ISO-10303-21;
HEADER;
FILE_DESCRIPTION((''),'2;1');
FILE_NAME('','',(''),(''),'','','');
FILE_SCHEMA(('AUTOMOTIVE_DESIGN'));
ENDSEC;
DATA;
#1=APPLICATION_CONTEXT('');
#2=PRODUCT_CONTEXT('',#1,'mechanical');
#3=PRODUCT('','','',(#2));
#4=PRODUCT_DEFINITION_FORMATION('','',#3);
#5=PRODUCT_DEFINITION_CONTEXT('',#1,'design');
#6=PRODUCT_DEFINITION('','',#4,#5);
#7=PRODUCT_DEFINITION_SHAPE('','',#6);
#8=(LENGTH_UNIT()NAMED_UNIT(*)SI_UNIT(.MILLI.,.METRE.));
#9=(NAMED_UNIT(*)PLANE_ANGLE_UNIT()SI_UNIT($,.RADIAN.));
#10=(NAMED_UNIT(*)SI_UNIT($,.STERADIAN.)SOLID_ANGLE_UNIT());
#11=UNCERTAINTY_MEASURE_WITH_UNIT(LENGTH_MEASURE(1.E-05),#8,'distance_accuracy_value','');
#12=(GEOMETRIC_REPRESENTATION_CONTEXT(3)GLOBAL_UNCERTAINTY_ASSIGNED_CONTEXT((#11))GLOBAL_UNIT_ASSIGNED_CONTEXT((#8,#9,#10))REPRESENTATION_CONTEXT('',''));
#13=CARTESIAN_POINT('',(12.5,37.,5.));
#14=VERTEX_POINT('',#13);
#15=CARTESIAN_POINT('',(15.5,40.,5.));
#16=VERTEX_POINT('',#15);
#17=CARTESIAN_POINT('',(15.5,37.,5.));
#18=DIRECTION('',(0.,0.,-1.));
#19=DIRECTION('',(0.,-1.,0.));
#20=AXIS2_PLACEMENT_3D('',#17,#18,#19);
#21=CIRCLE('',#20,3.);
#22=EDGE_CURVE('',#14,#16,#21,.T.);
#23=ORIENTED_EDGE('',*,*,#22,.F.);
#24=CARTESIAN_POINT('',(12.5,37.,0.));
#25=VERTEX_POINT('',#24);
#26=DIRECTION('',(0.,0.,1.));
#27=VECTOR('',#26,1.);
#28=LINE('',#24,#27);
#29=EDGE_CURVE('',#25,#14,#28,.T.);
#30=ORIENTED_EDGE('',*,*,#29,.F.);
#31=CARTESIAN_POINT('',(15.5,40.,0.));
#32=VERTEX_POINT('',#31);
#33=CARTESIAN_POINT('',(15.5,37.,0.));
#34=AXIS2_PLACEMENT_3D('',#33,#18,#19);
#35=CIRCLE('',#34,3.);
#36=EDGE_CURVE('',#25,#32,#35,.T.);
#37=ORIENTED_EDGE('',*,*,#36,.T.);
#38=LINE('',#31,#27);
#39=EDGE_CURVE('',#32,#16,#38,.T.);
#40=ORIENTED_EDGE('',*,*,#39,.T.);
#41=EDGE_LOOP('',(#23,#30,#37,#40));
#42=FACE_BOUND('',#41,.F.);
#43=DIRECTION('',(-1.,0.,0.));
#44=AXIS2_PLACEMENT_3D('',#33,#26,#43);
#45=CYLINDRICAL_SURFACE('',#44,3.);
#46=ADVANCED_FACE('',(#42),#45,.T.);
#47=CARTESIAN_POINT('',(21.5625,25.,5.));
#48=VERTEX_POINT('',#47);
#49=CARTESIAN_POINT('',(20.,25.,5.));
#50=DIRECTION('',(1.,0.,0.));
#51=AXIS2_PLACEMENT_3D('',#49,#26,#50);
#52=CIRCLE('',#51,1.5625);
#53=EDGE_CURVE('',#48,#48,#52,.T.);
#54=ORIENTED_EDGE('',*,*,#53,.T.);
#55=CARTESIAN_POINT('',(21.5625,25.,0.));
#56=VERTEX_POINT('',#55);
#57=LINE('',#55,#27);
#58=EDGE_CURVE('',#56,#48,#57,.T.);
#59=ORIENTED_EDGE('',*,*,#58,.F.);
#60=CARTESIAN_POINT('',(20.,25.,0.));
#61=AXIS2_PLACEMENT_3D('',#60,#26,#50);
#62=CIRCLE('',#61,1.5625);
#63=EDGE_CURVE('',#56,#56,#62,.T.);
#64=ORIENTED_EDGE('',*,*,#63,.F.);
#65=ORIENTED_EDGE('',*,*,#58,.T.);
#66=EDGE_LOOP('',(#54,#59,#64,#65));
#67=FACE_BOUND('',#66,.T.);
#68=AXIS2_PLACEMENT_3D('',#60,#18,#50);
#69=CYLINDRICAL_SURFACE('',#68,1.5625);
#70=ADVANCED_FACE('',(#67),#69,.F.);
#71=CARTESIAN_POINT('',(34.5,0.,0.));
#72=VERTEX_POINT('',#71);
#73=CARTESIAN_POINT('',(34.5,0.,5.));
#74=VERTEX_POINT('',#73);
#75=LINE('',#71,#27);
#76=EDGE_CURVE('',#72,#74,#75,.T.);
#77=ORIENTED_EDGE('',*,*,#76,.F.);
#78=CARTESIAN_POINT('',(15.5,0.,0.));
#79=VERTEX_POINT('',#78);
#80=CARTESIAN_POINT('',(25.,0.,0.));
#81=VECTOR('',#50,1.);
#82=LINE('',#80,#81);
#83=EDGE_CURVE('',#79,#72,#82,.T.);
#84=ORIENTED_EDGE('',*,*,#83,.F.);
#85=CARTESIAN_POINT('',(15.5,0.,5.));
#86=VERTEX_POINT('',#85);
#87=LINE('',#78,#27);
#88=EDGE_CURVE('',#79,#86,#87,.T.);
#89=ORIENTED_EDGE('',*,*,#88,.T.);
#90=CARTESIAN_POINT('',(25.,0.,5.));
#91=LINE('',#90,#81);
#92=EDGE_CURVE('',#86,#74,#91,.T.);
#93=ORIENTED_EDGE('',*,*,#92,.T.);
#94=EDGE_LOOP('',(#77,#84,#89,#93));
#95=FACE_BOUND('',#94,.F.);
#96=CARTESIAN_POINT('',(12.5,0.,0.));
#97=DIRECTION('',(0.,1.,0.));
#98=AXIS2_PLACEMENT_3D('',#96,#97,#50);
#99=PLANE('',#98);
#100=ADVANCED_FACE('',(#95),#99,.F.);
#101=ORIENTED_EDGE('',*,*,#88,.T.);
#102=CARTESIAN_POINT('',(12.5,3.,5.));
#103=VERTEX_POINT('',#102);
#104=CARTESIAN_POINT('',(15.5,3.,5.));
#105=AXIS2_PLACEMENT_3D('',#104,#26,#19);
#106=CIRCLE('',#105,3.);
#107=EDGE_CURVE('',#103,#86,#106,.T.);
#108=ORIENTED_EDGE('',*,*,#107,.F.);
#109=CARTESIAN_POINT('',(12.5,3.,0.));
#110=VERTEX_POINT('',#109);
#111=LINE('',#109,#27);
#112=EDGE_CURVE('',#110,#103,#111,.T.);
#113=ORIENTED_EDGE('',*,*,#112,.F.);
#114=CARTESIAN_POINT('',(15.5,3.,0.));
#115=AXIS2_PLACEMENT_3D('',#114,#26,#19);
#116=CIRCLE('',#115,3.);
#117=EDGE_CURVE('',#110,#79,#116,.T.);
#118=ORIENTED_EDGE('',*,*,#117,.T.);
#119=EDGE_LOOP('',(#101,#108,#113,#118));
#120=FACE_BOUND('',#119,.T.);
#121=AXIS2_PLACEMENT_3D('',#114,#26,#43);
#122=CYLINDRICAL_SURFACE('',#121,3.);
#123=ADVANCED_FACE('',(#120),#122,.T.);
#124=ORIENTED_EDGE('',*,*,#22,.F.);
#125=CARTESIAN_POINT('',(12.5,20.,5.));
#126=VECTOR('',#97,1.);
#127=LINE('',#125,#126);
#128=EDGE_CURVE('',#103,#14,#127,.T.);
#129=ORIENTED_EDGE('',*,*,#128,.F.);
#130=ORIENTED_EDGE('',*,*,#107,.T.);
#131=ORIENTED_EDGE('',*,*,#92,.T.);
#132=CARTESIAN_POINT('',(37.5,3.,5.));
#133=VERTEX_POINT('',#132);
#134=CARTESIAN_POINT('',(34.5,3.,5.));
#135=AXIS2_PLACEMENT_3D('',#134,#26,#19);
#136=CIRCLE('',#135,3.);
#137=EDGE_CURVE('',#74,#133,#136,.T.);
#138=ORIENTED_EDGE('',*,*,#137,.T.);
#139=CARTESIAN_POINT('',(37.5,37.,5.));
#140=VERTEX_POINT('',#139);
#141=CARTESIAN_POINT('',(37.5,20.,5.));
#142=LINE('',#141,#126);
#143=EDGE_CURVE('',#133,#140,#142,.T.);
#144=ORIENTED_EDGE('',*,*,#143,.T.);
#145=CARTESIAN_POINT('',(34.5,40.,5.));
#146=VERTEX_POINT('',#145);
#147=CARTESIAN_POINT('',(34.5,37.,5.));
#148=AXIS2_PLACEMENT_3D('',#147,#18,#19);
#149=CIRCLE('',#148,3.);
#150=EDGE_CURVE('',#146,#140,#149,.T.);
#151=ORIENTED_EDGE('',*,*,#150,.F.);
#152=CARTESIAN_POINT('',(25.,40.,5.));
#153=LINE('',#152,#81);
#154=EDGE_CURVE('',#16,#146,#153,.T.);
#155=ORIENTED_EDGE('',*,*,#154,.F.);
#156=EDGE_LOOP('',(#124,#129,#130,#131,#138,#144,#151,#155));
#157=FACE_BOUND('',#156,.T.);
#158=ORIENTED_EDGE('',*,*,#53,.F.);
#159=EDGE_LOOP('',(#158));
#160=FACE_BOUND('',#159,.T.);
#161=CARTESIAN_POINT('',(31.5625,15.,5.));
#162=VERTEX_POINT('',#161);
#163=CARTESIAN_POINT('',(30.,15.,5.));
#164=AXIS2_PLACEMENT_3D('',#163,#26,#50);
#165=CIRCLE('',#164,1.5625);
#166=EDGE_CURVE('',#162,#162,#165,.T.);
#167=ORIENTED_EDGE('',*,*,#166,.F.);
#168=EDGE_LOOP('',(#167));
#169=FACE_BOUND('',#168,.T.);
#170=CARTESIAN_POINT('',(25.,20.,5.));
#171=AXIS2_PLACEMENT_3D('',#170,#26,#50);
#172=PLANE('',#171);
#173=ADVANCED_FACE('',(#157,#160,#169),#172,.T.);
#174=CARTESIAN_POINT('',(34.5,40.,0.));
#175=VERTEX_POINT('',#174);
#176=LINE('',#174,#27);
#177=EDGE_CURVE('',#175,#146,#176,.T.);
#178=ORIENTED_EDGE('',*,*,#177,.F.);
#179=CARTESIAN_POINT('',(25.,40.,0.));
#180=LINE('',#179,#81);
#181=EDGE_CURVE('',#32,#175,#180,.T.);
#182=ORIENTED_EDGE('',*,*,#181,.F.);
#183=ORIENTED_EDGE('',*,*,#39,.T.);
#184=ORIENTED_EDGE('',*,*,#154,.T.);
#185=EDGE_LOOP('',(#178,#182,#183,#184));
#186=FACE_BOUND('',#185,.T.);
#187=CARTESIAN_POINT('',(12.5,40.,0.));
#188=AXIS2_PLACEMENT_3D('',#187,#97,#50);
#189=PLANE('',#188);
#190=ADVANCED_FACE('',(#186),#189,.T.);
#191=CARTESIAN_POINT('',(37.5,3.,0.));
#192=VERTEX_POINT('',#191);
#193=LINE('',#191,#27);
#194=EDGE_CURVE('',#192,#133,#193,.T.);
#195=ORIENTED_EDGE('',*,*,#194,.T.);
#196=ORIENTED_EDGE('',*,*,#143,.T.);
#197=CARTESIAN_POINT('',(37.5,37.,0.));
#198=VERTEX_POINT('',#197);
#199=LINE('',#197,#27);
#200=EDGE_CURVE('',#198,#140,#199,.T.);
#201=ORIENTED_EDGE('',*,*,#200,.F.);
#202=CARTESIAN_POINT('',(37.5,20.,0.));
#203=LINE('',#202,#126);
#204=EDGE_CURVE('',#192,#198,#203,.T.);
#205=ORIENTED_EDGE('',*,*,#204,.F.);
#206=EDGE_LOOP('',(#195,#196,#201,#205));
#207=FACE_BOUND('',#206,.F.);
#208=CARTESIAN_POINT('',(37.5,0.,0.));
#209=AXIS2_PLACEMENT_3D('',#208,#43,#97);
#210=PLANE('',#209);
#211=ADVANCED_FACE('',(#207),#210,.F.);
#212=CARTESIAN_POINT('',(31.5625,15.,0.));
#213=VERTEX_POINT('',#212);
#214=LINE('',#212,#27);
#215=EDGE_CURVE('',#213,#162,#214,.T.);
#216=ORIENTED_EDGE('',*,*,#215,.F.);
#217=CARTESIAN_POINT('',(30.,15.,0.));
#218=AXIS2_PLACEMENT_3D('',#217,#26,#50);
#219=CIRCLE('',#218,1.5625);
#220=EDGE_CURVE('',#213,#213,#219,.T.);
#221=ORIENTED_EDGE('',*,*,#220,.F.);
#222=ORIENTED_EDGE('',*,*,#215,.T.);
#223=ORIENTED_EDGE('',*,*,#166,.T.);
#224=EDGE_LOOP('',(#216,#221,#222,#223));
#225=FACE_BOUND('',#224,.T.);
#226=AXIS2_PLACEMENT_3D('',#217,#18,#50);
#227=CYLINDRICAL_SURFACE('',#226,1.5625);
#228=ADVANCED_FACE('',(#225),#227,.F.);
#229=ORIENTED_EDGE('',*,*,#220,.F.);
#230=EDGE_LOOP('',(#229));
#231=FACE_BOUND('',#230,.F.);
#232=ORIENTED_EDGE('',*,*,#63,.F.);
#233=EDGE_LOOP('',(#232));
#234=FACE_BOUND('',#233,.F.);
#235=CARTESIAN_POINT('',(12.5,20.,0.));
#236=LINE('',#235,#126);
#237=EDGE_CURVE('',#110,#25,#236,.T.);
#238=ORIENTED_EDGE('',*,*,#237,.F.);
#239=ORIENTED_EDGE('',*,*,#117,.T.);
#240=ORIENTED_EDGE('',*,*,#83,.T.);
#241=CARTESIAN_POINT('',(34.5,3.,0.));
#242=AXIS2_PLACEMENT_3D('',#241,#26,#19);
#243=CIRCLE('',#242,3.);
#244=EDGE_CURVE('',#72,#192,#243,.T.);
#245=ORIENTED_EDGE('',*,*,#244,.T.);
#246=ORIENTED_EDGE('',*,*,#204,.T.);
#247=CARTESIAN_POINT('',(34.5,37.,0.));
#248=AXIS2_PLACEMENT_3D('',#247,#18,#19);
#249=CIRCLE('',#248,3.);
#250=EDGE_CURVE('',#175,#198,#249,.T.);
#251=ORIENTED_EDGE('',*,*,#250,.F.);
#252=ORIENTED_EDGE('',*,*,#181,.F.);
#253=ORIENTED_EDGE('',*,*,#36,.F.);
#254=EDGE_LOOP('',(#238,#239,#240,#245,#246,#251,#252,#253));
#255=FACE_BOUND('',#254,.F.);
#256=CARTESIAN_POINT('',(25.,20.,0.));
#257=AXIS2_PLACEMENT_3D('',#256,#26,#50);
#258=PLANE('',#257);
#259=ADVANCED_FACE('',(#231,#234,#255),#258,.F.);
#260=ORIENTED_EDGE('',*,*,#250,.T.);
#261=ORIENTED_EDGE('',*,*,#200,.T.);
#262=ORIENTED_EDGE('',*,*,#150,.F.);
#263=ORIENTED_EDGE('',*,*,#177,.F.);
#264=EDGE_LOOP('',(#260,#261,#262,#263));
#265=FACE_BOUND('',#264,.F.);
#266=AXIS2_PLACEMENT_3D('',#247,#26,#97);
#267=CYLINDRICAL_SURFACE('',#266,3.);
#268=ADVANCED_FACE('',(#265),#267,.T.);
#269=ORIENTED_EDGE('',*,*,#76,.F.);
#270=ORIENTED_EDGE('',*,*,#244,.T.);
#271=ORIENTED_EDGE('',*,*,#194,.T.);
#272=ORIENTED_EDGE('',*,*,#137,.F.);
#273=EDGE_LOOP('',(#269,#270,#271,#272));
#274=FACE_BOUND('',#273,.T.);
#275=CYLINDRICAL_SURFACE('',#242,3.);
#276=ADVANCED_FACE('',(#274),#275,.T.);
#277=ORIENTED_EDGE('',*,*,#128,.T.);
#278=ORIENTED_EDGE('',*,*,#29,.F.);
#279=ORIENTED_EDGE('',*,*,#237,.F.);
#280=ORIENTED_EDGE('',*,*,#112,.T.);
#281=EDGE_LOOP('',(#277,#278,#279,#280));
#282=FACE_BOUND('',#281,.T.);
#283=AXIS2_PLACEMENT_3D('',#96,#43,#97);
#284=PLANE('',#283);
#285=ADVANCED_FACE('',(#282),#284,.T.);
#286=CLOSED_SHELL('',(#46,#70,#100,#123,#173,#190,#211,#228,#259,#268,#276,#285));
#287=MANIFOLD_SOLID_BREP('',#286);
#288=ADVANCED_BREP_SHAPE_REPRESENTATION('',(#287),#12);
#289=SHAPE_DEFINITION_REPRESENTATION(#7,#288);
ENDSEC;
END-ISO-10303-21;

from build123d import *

# Parameters (mm, degrees)
SKETCH_W  = 25
SKETCH_H  = 40
SKETCH_R  = 1.5625
PAD_DEPTH = 5
FILLET_R  = 3


with BuildPart() as part:
    # Sketch → Pad (new body)
    with BuildSketch(Plane.XY):
        with Locations((25, 20)):
            Rectangle(SKETCH_W, SKETCH_H)
        with Locations((20, 25)):
            Circle(SKETCH_R, mode=Mode.SUBTRACT)
        with Locations((30, 15)):
            Circle(SKETCH_R, mode=Mode.SUBTRACT)
    extrude(amount=PAD_DEPTH)

    # Fillet
    fillet_edges = [part.edges().sort_by_distance(p)[0] for p in [
        (12.5, 0, 2.5),
        (12.5, 40, 2.5),
        (37.5, 40, 2.5),
        (37.5, 0, 2.5),
    ]]
    fillet(fillet_edges, radius=FILLET_R)


solid = part.part
